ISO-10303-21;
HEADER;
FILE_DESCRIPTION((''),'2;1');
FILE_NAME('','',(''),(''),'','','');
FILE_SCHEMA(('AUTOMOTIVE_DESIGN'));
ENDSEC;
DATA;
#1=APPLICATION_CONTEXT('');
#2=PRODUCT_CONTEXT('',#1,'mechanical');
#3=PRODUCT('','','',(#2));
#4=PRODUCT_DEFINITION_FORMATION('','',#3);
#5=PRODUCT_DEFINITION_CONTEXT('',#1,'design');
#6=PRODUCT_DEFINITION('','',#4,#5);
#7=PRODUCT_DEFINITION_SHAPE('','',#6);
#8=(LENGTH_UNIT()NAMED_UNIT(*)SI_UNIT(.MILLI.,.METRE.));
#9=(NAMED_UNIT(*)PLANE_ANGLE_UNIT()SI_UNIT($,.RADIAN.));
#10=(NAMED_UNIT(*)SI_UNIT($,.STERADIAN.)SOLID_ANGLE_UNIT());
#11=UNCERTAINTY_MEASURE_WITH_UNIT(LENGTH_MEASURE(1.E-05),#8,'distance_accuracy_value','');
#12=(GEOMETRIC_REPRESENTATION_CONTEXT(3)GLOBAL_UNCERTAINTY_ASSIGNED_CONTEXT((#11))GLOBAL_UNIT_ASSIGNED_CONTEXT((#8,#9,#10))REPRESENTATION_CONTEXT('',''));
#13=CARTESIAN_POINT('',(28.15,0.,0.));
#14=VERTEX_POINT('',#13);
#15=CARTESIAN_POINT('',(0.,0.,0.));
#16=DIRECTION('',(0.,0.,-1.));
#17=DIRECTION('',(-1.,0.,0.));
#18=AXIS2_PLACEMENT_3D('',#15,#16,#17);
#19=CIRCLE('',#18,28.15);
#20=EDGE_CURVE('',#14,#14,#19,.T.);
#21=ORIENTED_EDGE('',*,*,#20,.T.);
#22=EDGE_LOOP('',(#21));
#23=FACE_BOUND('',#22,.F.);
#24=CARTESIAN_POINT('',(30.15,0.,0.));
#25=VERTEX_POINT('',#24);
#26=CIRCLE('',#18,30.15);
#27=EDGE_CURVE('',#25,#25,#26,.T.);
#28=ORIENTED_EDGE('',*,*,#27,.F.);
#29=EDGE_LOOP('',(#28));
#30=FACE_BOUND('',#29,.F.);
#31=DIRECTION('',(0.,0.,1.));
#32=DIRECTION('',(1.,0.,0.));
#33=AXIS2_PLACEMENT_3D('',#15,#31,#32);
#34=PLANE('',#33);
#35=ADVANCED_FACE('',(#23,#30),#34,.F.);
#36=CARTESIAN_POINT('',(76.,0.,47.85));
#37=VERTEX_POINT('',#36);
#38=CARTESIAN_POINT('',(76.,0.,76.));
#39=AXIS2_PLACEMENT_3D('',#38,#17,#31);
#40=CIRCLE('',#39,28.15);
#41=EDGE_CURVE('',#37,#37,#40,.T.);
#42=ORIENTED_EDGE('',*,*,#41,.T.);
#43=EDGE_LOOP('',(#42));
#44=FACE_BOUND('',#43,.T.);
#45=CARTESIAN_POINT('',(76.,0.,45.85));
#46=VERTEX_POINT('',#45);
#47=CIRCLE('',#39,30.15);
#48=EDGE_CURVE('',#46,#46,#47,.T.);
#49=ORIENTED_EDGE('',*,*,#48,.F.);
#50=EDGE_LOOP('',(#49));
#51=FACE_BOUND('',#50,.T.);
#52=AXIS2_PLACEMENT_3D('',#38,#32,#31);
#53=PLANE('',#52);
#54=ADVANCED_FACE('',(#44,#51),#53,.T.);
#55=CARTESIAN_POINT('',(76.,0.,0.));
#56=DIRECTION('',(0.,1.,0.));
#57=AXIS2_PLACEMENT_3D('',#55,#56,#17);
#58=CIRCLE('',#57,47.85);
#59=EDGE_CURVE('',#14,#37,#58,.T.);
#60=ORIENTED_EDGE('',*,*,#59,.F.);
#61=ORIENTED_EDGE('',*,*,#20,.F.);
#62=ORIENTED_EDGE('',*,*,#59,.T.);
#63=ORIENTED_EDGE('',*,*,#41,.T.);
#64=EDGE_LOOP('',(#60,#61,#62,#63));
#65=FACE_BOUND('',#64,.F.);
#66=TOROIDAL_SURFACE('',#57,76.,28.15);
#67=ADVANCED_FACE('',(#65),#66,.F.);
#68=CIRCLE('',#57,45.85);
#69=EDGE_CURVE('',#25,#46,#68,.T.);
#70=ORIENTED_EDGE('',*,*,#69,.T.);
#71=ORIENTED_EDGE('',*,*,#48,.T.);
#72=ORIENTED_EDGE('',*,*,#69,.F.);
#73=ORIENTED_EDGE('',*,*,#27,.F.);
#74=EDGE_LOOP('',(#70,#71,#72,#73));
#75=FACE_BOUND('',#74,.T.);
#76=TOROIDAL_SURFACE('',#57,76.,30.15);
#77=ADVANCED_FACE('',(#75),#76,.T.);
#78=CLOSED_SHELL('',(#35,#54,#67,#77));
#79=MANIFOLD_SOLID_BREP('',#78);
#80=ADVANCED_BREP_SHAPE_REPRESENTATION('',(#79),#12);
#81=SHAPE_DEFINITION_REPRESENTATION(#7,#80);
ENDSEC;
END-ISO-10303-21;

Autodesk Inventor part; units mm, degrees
ref_plane "YZ Plane" through (0, 0, 0) normal (1, 0, 0) x (0, 1, 0)
ref_plane "XZ Plane" through (0, 0, 0) normal (0, 1, 0) x (-1, 0, 0)
ref_plane "XY Plane" through (0, 0, 0) normal (0, 0, 1) x (1, 0, 0)
sketch "Sketch1" plane through (0, 0, 0) normal (0, 0, 1) x (1, 0, 0)
  circle A0 centre (0, 0) radius 28.15
  circle A1 centre (0, 0) radius 30.15
  dimension "d0" = 56.3
  dimension "d1" = 60.3
sketch "Sketch2" plane through (0, 0, 0) normal (0, 1, 0) x (-1, 0, 0)
  line L0 (0, 0) -> (0, 76) construction
  line L1 (0, 76) -> (-76, 76) construction
  arc A0 (0, 0) -> (-76, 76) centre (-76, 0) ccw
  dimension "d2" = 76
  dimension "d3" = 76
sweep "Sweep1" add profiles "Sketch1" path "Sketch2"
equation "\"d0\" = -2 * s1 + da"
equation "\"d1\" = da"
equation "\"d2\" = r"
equation "\"d3\" = r"
equation "\"da\" = 60.3"
equation "\"r\" = 76"
equation "\"s1\" = 2"
equation "\"Size_Designation\" = 1.2345"
properties part number "DIN 2605 90 Deg Elbow Type 3 60.3 - 2S" material "Steel"
